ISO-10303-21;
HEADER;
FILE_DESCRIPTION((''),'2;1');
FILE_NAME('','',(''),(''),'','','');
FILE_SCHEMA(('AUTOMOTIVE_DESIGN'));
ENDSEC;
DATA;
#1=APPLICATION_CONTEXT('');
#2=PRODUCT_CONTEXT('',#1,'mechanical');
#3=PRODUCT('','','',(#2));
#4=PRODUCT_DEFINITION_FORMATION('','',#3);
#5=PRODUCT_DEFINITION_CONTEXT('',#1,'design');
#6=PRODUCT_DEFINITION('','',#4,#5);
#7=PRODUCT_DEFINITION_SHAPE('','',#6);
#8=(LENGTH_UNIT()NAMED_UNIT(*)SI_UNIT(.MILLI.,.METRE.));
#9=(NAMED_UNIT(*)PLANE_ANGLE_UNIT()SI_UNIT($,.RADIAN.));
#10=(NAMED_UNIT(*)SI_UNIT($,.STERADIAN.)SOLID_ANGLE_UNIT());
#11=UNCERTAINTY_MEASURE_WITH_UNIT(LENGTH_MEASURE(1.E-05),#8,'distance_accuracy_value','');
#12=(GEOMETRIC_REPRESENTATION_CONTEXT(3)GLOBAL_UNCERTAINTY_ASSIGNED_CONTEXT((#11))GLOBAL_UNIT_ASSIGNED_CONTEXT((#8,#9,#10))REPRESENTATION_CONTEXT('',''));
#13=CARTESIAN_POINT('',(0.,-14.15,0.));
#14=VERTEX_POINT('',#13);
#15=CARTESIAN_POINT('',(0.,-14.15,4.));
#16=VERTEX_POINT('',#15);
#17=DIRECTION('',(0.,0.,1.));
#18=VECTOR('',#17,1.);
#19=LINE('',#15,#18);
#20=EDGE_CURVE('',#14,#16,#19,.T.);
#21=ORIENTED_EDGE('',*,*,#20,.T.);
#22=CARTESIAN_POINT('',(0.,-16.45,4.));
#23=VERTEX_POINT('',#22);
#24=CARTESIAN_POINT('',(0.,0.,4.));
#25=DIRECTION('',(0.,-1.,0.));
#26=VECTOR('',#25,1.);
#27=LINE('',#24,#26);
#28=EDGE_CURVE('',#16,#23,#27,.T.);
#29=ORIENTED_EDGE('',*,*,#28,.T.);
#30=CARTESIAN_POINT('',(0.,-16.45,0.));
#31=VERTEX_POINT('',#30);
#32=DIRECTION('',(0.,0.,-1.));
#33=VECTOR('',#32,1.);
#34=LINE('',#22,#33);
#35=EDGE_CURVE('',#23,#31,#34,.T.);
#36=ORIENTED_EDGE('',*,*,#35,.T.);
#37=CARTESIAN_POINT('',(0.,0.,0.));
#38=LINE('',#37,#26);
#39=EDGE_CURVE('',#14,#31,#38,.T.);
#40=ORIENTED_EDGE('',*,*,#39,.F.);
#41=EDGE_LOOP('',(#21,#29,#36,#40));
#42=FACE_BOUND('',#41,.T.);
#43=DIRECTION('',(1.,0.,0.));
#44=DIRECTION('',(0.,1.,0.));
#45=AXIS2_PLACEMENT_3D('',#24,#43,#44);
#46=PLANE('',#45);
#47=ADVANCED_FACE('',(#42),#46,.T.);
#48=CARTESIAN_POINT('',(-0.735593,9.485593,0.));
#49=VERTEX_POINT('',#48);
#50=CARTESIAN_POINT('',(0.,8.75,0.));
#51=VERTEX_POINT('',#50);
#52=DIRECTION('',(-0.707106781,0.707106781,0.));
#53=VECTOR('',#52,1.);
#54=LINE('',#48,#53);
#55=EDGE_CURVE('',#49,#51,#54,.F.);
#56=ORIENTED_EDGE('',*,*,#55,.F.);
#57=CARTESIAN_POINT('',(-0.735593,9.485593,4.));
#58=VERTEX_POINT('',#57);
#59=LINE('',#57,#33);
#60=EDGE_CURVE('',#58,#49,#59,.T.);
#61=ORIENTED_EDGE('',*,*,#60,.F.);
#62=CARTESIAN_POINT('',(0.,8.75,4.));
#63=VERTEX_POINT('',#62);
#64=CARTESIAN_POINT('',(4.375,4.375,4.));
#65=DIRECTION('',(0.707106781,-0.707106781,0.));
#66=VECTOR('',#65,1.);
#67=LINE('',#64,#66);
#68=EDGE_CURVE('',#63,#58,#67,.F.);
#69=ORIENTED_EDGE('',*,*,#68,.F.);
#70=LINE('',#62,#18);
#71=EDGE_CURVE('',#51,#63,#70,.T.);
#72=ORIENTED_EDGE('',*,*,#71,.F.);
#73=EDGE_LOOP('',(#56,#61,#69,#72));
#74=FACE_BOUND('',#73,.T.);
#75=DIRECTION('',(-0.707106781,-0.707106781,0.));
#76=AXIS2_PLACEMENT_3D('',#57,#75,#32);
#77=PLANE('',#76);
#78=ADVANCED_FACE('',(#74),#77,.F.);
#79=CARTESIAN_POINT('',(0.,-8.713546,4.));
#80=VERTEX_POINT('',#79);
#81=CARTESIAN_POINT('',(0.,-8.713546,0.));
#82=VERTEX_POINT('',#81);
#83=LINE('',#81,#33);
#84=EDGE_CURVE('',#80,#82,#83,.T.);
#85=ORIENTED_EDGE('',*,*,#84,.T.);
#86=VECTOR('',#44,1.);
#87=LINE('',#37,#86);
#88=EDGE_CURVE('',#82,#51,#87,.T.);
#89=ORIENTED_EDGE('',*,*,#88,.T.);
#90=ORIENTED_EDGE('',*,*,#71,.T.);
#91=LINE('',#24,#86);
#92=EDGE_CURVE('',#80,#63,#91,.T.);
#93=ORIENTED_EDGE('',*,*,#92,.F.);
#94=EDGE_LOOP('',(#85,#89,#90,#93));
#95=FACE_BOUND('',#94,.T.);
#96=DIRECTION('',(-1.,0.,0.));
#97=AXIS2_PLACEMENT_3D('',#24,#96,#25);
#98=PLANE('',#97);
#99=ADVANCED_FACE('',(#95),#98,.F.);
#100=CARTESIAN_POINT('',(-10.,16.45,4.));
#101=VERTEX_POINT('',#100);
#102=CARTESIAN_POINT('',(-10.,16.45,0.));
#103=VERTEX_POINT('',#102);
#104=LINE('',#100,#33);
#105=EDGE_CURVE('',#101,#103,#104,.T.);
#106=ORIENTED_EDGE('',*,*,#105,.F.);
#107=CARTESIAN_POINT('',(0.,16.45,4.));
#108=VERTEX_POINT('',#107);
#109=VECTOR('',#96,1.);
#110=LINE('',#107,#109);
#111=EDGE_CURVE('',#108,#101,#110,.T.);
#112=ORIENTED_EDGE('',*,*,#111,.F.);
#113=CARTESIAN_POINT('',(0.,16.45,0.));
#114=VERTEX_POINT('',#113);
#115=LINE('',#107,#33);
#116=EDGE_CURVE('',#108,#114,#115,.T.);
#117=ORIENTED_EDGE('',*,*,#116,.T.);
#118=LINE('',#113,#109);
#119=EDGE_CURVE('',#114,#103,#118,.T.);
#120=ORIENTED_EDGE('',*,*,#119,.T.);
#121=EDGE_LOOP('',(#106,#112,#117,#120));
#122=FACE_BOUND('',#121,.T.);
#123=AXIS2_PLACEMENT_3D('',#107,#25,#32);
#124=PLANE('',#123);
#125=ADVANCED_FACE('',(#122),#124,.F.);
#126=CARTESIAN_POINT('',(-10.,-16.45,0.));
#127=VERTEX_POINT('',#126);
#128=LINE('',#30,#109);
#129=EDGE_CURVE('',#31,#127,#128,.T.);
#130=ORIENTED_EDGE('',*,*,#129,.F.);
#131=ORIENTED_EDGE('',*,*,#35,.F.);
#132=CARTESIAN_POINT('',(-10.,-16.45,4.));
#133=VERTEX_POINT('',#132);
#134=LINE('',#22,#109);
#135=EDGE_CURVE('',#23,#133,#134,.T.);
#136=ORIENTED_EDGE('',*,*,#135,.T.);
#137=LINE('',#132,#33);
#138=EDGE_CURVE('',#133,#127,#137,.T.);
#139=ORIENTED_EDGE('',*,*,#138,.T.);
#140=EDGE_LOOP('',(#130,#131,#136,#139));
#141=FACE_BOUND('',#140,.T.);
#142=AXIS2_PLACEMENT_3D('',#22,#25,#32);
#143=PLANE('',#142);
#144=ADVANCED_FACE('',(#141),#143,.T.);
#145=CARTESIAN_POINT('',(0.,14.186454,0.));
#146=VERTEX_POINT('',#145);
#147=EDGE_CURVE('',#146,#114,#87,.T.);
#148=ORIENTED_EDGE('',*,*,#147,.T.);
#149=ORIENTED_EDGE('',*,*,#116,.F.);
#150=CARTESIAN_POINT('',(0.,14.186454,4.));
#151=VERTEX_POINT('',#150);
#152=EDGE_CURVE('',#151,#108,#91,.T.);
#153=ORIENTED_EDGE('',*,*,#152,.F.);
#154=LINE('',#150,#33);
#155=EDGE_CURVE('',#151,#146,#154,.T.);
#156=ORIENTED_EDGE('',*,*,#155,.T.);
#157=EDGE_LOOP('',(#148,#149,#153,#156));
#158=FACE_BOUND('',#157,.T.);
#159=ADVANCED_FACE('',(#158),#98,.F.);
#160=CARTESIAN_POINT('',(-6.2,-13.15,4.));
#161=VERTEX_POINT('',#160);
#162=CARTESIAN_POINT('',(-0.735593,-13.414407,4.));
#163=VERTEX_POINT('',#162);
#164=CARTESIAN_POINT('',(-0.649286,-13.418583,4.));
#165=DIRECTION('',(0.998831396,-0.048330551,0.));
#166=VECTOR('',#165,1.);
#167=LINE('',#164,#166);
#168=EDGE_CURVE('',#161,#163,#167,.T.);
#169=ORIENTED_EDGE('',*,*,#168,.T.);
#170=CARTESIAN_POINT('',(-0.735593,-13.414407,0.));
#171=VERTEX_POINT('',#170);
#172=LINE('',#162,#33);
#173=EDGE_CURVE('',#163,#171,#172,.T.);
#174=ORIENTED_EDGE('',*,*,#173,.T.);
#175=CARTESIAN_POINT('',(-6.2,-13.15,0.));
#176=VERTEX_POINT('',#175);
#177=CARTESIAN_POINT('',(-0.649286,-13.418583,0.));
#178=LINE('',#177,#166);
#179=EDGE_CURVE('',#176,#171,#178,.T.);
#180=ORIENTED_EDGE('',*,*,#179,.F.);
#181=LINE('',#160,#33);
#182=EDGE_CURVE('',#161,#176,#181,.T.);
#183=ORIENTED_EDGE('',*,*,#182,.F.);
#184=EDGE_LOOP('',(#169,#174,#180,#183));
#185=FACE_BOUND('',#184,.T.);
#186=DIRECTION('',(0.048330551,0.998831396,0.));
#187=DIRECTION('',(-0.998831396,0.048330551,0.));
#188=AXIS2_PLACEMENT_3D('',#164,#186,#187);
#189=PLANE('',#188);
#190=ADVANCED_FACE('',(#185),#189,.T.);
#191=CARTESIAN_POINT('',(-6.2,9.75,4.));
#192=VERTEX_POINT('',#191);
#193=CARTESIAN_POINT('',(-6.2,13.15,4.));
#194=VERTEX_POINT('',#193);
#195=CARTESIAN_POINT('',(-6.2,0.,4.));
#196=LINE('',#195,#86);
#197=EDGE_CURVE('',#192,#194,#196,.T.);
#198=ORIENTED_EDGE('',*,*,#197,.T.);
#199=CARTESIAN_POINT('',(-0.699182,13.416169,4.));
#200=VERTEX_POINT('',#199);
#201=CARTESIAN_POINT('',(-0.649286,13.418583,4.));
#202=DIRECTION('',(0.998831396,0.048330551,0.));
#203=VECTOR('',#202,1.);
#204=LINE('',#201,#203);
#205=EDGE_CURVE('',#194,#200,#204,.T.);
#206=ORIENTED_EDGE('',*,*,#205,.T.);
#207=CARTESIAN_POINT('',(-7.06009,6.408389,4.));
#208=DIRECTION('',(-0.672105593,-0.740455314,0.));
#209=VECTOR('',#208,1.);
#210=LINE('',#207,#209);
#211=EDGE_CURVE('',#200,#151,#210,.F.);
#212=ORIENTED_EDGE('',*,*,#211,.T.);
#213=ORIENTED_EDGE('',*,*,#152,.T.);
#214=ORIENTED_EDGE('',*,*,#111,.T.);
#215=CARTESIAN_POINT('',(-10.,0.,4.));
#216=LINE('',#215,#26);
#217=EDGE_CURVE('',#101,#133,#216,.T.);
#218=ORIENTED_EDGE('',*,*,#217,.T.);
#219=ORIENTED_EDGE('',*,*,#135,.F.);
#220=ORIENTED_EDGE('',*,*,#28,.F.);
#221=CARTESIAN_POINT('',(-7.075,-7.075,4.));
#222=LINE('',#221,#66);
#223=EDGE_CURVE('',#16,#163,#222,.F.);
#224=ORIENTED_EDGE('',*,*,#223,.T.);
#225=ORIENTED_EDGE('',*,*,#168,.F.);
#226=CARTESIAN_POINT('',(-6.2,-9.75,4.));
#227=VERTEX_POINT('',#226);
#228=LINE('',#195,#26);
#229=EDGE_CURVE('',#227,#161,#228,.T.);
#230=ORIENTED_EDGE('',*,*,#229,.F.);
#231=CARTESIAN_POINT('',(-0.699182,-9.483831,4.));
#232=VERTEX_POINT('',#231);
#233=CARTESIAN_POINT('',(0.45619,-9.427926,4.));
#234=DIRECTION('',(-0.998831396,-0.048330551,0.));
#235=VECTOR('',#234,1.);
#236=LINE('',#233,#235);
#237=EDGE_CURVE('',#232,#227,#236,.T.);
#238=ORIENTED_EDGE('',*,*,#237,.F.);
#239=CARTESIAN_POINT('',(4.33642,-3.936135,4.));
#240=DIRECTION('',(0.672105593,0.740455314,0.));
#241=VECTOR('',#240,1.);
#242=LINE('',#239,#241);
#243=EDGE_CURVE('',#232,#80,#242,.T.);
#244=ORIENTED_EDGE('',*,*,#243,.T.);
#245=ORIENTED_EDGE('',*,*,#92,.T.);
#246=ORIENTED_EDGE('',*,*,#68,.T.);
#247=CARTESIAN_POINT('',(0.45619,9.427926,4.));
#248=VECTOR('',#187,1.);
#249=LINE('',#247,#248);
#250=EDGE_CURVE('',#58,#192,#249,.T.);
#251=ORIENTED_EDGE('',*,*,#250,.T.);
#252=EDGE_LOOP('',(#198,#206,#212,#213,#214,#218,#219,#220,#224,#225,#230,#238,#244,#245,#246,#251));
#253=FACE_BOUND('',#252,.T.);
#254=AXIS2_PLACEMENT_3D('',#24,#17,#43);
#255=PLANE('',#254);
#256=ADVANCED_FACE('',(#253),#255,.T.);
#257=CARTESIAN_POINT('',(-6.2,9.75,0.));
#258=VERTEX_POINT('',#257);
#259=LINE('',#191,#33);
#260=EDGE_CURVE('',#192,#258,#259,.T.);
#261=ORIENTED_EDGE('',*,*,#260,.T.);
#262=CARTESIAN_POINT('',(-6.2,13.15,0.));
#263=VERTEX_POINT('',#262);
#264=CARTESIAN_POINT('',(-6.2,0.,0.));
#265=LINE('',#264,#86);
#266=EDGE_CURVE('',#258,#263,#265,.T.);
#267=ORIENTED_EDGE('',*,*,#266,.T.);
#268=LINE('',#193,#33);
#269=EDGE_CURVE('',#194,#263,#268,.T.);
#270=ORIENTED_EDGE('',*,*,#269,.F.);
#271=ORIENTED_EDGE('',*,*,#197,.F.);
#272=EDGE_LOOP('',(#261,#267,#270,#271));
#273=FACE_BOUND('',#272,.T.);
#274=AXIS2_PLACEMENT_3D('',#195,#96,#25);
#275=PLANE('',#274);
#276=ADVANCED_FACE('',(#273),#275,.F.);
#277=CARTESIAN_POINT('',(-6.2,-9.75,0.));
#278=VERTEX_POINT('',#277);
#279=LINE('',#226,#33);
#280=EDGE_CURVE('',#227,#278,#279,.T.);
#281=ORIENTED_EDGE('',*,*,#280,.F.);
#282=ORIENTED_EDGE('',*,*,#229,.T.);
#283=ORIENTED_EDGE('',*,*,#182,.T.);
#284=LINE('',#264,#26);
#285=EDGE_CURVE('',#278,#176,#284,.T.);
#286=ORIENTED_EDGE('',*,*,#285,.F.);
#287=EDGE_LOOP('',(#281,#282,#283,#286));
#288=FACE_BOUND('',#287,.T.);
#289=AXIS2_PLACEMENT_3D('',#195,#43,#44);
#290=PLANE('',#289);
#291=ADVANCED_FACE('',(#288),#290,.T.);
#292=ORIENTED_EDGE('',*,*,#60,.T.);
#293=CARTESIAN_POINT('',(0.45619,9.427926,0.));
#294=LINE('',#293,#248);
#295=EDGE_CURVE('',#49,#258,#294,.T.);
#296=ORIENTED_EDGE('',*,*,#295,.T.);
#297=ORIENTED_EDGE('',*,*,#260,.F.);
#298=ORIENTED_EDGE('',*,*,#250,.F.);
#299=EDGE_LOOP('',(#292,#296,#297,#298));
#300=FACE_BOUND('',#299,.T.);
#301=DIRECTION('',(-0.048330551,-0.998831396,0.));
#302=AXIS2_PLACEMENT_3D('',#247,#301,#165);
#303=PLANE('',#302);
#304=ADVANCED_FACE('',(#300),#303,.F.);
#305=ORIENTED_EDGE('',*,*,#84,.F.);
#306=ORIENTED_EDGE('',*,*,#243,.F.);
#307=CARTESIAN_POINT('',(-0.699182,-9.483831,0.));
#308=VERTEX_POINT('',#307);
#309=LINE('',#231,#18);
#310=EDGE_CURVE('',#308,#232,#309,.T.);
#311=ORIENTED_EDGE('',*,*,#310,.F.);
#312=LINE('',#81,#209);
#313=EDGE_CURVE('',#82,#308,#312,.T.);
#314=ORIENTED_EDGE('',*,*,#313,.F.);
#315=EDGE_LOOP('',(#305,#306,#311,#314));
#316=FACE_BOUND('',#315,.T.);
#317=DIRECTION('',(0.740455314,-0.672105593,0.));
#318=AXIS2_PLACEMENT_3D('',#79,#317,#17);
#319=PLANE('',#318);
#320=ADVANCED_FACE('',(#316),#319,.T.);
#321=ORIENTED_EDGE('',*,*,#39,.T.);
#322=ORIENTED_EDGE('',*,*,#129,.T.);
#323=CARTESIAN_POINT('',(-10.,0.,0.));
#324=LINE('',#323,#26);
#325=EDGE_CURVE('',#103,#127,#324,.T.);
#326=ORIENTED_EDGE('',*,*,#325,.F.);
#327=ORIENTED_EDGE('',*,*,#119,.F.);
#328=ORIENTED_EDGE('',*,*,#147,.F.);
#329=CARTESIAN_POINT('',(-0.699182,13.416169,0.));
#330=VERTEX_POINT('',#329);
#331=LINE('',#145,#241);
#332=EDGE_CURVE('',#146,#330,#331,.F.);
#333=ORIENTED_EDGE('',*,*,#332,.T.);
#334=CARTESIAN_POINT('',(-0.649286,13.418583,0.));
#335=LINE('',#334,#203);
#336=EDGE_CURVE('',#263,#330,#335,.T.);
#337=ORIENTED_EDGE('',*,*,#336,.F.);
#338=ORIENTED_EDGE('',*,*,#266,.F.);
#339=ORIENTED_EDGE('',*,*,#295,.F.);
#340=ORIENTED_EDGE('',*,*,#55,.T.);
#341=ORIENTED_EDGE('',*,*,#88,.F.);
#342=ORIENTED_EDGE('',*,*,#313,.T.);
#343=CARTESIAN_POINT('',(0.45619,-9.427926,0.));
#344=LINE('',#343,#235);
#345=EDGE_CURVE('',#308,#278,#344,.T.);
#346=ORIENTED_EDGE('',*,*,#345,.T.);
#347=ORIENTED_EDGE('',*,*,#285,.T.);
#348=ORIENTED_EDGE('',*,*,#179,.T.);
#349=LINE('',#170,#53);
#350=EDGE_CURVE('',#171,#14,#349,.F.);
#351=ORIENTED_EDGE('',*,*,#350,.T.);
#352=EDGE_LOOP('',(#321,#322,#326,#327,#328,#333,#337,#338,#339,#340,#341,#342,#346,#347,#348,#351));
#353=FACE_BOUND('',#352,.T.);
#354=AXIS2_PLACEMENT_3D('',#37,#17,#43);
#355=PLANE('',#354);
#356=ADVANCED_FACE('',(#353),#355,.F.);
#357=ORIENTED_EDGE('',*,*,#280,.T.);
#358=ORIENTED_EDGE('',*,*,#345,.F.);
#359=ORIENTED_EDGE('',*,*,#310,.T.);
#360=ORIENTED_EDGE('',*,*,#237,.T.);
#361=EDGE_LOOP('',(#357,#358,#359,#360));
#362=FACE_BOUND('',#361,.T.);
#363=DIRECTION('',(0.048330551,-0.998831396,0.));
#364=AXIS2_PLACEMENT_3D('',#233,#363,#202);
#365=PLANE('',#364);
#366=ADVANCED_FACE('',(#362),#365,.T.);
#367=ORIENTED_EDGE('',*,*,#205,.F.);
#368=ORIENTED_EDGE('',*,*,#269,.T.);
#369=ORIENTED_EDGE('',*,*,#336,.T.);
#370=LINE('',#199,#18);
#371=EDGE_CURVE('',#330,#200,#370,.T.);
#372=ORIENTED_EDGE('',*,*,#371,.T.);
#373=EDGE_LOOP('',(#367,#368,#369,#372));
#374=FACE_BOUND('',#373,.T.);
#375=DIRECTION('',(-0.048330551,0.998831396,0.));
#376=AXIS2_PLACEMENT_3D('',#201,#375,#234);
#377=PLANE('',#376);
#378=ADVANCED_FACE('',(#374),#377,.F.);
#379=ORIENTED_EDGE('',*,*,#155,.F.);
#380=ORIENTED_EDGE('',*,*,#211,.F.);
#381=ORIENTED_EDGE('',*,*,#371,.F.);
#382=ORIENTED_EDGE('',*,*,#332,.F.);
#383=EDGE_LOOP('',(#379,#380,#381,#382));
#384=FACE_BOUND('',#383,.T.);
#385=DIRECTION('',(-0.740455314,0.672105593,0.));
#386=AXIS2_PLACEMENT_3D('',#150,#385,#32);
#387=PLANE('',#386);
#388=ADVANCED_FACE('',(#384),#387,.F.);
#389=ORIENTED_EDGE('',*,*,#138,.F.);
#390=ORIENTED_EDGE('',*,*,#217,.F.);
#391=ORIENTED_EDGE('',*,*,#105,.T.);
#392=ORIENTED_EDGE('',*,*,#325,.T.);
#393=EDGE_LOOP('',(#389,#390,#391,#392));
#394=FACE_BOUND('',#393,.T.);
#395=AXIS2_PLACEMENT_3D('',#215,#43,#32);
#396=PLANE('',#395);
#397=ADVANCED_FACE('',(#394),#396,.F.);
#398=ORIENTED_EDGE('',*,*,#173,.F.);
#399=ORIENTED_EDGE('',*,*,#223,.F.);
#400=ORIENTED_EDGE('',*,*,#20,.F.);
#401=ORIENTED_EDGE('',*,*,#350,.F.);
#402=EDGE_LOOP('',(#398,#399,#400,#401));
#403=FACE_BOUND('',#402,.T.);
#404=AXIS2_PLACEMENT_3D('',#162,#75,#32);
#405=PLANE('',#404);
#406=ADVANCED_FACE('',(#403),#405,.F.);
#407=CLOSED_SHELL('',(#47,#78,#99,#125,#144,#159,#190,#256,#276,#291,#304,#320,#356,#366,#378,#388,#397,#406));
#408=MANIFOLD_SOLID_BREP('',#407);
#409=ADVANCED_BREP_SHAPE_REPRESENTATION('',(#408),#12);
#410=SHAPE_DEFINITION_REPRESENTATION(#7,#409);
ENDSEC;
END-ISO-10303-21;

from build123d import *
from OCP.BRepFilletAPI import BRepFilletAPI_MakeChamfer

# Parameters (mm, degrees)
BOSS_EXTRUDE1_DEPTH = 4
CHAMFER1_SIZE       = 0.7
CHAMFER1_SIZE2      = 0.736453843


with BuildPart() as part:
    # Sketch1 → Boss-Extrude1 (new body)
    with BuildSketch(Plane.XY):
        Polygon((-10, 0), (0, 0), (0, 9.45), (-6.2, 9.75), (-6.2, 13.15), (0, 13.45), (0, 16.45), (-10, 16.45), align=None)
        Polygon((-6.2, -9.75), (0, -9.45), (0, 0), (-10, 0), (-10, -16.45), (0, -16.45), (0, -13.45), (-6.2, -13.15), align=None)
    extrude(amount=BOSS_EXTRUDE1_DEPTH)

    # Chamfer1: one chamfer whose edges measure the first distance from different faces: ONE call of the kernel's chamfer builder (chamfer() names one face for all edges)
    chamfer1_edges_1 = [part.edges().sort_by_distance(p)[0] for p in [
        (0, 13.45, 2),
    ]]
    chamfer1_side_1 = [part.faces().sort_by_distance(p)[0] for p in [
        (-3.1, 13.3, 2),
    ]]
    chamfer1_edges_2 = [part.edges().sort_by_distance(p)[0] for p in [
        (0, 9.45, 2),
    ]]
    chamfer1_side_2 = [part.faces().sort_by_distance(p)[0] for p in [
        (0, 0, 2),
    ]]
    chamfer1_edges_3 = [part.edges().sort_by_distance(p)[0] for p in [
        (0, -9.45, 2),
    ]]
    chamfer1_side_3 = [part.faces().sort_by_distance(p)[0] for p in [
        (-3.1, -9.6, 2),
    ]]
    chamfer1_edges_4 = [part.edges().sort_by_distance(p)[0] for p in [
        (0, -13.45, 2),
    ]]
    chamfer1_side_4 = [part.faces().sort_by_distance(p)[0] for p in [
        (0, -14.95, 2),
    ]]
    chamfer1 = BRepFilletAPI_MakeChamfer(part.part.solid().wrapped)
    for e in chamfer1_edges_1:
        chamfer1.Add(CHAMFER1_SIZE, CHAMFER1_SIZE2, e.wrapped, chamfer1_side_1[0].wrapped)  # the first distance lies on this face
    for e in chamfer1_edges_2:
        chamfer1.Add(CHAMFER1_SIZE, CHAMFER1_SIZE2, e.wrapped, chamfer1_side_2[0].wrapped)  # the first distance lies on this face
    for e in chamfer1_edges_3:
        chamfer1.Add(CHAMFER1_SIZE, CHAMFER1_SIZE2, e.wrapped, chamfer1_side_3[0].wrapped)  # the first distance lies on this face
    for e in chamfer1_edges_4:
        chamfer1.Add(CHAMFER1_SIZE, CHAMFER1_SIZE2, e.wrapped, chamfer1_side_4[0].wrapped)  # the first distance lies on this face
    add(Compound.cast(chamfer1.Shape()), mode=Mode.REPLACE)


solid = part.part
